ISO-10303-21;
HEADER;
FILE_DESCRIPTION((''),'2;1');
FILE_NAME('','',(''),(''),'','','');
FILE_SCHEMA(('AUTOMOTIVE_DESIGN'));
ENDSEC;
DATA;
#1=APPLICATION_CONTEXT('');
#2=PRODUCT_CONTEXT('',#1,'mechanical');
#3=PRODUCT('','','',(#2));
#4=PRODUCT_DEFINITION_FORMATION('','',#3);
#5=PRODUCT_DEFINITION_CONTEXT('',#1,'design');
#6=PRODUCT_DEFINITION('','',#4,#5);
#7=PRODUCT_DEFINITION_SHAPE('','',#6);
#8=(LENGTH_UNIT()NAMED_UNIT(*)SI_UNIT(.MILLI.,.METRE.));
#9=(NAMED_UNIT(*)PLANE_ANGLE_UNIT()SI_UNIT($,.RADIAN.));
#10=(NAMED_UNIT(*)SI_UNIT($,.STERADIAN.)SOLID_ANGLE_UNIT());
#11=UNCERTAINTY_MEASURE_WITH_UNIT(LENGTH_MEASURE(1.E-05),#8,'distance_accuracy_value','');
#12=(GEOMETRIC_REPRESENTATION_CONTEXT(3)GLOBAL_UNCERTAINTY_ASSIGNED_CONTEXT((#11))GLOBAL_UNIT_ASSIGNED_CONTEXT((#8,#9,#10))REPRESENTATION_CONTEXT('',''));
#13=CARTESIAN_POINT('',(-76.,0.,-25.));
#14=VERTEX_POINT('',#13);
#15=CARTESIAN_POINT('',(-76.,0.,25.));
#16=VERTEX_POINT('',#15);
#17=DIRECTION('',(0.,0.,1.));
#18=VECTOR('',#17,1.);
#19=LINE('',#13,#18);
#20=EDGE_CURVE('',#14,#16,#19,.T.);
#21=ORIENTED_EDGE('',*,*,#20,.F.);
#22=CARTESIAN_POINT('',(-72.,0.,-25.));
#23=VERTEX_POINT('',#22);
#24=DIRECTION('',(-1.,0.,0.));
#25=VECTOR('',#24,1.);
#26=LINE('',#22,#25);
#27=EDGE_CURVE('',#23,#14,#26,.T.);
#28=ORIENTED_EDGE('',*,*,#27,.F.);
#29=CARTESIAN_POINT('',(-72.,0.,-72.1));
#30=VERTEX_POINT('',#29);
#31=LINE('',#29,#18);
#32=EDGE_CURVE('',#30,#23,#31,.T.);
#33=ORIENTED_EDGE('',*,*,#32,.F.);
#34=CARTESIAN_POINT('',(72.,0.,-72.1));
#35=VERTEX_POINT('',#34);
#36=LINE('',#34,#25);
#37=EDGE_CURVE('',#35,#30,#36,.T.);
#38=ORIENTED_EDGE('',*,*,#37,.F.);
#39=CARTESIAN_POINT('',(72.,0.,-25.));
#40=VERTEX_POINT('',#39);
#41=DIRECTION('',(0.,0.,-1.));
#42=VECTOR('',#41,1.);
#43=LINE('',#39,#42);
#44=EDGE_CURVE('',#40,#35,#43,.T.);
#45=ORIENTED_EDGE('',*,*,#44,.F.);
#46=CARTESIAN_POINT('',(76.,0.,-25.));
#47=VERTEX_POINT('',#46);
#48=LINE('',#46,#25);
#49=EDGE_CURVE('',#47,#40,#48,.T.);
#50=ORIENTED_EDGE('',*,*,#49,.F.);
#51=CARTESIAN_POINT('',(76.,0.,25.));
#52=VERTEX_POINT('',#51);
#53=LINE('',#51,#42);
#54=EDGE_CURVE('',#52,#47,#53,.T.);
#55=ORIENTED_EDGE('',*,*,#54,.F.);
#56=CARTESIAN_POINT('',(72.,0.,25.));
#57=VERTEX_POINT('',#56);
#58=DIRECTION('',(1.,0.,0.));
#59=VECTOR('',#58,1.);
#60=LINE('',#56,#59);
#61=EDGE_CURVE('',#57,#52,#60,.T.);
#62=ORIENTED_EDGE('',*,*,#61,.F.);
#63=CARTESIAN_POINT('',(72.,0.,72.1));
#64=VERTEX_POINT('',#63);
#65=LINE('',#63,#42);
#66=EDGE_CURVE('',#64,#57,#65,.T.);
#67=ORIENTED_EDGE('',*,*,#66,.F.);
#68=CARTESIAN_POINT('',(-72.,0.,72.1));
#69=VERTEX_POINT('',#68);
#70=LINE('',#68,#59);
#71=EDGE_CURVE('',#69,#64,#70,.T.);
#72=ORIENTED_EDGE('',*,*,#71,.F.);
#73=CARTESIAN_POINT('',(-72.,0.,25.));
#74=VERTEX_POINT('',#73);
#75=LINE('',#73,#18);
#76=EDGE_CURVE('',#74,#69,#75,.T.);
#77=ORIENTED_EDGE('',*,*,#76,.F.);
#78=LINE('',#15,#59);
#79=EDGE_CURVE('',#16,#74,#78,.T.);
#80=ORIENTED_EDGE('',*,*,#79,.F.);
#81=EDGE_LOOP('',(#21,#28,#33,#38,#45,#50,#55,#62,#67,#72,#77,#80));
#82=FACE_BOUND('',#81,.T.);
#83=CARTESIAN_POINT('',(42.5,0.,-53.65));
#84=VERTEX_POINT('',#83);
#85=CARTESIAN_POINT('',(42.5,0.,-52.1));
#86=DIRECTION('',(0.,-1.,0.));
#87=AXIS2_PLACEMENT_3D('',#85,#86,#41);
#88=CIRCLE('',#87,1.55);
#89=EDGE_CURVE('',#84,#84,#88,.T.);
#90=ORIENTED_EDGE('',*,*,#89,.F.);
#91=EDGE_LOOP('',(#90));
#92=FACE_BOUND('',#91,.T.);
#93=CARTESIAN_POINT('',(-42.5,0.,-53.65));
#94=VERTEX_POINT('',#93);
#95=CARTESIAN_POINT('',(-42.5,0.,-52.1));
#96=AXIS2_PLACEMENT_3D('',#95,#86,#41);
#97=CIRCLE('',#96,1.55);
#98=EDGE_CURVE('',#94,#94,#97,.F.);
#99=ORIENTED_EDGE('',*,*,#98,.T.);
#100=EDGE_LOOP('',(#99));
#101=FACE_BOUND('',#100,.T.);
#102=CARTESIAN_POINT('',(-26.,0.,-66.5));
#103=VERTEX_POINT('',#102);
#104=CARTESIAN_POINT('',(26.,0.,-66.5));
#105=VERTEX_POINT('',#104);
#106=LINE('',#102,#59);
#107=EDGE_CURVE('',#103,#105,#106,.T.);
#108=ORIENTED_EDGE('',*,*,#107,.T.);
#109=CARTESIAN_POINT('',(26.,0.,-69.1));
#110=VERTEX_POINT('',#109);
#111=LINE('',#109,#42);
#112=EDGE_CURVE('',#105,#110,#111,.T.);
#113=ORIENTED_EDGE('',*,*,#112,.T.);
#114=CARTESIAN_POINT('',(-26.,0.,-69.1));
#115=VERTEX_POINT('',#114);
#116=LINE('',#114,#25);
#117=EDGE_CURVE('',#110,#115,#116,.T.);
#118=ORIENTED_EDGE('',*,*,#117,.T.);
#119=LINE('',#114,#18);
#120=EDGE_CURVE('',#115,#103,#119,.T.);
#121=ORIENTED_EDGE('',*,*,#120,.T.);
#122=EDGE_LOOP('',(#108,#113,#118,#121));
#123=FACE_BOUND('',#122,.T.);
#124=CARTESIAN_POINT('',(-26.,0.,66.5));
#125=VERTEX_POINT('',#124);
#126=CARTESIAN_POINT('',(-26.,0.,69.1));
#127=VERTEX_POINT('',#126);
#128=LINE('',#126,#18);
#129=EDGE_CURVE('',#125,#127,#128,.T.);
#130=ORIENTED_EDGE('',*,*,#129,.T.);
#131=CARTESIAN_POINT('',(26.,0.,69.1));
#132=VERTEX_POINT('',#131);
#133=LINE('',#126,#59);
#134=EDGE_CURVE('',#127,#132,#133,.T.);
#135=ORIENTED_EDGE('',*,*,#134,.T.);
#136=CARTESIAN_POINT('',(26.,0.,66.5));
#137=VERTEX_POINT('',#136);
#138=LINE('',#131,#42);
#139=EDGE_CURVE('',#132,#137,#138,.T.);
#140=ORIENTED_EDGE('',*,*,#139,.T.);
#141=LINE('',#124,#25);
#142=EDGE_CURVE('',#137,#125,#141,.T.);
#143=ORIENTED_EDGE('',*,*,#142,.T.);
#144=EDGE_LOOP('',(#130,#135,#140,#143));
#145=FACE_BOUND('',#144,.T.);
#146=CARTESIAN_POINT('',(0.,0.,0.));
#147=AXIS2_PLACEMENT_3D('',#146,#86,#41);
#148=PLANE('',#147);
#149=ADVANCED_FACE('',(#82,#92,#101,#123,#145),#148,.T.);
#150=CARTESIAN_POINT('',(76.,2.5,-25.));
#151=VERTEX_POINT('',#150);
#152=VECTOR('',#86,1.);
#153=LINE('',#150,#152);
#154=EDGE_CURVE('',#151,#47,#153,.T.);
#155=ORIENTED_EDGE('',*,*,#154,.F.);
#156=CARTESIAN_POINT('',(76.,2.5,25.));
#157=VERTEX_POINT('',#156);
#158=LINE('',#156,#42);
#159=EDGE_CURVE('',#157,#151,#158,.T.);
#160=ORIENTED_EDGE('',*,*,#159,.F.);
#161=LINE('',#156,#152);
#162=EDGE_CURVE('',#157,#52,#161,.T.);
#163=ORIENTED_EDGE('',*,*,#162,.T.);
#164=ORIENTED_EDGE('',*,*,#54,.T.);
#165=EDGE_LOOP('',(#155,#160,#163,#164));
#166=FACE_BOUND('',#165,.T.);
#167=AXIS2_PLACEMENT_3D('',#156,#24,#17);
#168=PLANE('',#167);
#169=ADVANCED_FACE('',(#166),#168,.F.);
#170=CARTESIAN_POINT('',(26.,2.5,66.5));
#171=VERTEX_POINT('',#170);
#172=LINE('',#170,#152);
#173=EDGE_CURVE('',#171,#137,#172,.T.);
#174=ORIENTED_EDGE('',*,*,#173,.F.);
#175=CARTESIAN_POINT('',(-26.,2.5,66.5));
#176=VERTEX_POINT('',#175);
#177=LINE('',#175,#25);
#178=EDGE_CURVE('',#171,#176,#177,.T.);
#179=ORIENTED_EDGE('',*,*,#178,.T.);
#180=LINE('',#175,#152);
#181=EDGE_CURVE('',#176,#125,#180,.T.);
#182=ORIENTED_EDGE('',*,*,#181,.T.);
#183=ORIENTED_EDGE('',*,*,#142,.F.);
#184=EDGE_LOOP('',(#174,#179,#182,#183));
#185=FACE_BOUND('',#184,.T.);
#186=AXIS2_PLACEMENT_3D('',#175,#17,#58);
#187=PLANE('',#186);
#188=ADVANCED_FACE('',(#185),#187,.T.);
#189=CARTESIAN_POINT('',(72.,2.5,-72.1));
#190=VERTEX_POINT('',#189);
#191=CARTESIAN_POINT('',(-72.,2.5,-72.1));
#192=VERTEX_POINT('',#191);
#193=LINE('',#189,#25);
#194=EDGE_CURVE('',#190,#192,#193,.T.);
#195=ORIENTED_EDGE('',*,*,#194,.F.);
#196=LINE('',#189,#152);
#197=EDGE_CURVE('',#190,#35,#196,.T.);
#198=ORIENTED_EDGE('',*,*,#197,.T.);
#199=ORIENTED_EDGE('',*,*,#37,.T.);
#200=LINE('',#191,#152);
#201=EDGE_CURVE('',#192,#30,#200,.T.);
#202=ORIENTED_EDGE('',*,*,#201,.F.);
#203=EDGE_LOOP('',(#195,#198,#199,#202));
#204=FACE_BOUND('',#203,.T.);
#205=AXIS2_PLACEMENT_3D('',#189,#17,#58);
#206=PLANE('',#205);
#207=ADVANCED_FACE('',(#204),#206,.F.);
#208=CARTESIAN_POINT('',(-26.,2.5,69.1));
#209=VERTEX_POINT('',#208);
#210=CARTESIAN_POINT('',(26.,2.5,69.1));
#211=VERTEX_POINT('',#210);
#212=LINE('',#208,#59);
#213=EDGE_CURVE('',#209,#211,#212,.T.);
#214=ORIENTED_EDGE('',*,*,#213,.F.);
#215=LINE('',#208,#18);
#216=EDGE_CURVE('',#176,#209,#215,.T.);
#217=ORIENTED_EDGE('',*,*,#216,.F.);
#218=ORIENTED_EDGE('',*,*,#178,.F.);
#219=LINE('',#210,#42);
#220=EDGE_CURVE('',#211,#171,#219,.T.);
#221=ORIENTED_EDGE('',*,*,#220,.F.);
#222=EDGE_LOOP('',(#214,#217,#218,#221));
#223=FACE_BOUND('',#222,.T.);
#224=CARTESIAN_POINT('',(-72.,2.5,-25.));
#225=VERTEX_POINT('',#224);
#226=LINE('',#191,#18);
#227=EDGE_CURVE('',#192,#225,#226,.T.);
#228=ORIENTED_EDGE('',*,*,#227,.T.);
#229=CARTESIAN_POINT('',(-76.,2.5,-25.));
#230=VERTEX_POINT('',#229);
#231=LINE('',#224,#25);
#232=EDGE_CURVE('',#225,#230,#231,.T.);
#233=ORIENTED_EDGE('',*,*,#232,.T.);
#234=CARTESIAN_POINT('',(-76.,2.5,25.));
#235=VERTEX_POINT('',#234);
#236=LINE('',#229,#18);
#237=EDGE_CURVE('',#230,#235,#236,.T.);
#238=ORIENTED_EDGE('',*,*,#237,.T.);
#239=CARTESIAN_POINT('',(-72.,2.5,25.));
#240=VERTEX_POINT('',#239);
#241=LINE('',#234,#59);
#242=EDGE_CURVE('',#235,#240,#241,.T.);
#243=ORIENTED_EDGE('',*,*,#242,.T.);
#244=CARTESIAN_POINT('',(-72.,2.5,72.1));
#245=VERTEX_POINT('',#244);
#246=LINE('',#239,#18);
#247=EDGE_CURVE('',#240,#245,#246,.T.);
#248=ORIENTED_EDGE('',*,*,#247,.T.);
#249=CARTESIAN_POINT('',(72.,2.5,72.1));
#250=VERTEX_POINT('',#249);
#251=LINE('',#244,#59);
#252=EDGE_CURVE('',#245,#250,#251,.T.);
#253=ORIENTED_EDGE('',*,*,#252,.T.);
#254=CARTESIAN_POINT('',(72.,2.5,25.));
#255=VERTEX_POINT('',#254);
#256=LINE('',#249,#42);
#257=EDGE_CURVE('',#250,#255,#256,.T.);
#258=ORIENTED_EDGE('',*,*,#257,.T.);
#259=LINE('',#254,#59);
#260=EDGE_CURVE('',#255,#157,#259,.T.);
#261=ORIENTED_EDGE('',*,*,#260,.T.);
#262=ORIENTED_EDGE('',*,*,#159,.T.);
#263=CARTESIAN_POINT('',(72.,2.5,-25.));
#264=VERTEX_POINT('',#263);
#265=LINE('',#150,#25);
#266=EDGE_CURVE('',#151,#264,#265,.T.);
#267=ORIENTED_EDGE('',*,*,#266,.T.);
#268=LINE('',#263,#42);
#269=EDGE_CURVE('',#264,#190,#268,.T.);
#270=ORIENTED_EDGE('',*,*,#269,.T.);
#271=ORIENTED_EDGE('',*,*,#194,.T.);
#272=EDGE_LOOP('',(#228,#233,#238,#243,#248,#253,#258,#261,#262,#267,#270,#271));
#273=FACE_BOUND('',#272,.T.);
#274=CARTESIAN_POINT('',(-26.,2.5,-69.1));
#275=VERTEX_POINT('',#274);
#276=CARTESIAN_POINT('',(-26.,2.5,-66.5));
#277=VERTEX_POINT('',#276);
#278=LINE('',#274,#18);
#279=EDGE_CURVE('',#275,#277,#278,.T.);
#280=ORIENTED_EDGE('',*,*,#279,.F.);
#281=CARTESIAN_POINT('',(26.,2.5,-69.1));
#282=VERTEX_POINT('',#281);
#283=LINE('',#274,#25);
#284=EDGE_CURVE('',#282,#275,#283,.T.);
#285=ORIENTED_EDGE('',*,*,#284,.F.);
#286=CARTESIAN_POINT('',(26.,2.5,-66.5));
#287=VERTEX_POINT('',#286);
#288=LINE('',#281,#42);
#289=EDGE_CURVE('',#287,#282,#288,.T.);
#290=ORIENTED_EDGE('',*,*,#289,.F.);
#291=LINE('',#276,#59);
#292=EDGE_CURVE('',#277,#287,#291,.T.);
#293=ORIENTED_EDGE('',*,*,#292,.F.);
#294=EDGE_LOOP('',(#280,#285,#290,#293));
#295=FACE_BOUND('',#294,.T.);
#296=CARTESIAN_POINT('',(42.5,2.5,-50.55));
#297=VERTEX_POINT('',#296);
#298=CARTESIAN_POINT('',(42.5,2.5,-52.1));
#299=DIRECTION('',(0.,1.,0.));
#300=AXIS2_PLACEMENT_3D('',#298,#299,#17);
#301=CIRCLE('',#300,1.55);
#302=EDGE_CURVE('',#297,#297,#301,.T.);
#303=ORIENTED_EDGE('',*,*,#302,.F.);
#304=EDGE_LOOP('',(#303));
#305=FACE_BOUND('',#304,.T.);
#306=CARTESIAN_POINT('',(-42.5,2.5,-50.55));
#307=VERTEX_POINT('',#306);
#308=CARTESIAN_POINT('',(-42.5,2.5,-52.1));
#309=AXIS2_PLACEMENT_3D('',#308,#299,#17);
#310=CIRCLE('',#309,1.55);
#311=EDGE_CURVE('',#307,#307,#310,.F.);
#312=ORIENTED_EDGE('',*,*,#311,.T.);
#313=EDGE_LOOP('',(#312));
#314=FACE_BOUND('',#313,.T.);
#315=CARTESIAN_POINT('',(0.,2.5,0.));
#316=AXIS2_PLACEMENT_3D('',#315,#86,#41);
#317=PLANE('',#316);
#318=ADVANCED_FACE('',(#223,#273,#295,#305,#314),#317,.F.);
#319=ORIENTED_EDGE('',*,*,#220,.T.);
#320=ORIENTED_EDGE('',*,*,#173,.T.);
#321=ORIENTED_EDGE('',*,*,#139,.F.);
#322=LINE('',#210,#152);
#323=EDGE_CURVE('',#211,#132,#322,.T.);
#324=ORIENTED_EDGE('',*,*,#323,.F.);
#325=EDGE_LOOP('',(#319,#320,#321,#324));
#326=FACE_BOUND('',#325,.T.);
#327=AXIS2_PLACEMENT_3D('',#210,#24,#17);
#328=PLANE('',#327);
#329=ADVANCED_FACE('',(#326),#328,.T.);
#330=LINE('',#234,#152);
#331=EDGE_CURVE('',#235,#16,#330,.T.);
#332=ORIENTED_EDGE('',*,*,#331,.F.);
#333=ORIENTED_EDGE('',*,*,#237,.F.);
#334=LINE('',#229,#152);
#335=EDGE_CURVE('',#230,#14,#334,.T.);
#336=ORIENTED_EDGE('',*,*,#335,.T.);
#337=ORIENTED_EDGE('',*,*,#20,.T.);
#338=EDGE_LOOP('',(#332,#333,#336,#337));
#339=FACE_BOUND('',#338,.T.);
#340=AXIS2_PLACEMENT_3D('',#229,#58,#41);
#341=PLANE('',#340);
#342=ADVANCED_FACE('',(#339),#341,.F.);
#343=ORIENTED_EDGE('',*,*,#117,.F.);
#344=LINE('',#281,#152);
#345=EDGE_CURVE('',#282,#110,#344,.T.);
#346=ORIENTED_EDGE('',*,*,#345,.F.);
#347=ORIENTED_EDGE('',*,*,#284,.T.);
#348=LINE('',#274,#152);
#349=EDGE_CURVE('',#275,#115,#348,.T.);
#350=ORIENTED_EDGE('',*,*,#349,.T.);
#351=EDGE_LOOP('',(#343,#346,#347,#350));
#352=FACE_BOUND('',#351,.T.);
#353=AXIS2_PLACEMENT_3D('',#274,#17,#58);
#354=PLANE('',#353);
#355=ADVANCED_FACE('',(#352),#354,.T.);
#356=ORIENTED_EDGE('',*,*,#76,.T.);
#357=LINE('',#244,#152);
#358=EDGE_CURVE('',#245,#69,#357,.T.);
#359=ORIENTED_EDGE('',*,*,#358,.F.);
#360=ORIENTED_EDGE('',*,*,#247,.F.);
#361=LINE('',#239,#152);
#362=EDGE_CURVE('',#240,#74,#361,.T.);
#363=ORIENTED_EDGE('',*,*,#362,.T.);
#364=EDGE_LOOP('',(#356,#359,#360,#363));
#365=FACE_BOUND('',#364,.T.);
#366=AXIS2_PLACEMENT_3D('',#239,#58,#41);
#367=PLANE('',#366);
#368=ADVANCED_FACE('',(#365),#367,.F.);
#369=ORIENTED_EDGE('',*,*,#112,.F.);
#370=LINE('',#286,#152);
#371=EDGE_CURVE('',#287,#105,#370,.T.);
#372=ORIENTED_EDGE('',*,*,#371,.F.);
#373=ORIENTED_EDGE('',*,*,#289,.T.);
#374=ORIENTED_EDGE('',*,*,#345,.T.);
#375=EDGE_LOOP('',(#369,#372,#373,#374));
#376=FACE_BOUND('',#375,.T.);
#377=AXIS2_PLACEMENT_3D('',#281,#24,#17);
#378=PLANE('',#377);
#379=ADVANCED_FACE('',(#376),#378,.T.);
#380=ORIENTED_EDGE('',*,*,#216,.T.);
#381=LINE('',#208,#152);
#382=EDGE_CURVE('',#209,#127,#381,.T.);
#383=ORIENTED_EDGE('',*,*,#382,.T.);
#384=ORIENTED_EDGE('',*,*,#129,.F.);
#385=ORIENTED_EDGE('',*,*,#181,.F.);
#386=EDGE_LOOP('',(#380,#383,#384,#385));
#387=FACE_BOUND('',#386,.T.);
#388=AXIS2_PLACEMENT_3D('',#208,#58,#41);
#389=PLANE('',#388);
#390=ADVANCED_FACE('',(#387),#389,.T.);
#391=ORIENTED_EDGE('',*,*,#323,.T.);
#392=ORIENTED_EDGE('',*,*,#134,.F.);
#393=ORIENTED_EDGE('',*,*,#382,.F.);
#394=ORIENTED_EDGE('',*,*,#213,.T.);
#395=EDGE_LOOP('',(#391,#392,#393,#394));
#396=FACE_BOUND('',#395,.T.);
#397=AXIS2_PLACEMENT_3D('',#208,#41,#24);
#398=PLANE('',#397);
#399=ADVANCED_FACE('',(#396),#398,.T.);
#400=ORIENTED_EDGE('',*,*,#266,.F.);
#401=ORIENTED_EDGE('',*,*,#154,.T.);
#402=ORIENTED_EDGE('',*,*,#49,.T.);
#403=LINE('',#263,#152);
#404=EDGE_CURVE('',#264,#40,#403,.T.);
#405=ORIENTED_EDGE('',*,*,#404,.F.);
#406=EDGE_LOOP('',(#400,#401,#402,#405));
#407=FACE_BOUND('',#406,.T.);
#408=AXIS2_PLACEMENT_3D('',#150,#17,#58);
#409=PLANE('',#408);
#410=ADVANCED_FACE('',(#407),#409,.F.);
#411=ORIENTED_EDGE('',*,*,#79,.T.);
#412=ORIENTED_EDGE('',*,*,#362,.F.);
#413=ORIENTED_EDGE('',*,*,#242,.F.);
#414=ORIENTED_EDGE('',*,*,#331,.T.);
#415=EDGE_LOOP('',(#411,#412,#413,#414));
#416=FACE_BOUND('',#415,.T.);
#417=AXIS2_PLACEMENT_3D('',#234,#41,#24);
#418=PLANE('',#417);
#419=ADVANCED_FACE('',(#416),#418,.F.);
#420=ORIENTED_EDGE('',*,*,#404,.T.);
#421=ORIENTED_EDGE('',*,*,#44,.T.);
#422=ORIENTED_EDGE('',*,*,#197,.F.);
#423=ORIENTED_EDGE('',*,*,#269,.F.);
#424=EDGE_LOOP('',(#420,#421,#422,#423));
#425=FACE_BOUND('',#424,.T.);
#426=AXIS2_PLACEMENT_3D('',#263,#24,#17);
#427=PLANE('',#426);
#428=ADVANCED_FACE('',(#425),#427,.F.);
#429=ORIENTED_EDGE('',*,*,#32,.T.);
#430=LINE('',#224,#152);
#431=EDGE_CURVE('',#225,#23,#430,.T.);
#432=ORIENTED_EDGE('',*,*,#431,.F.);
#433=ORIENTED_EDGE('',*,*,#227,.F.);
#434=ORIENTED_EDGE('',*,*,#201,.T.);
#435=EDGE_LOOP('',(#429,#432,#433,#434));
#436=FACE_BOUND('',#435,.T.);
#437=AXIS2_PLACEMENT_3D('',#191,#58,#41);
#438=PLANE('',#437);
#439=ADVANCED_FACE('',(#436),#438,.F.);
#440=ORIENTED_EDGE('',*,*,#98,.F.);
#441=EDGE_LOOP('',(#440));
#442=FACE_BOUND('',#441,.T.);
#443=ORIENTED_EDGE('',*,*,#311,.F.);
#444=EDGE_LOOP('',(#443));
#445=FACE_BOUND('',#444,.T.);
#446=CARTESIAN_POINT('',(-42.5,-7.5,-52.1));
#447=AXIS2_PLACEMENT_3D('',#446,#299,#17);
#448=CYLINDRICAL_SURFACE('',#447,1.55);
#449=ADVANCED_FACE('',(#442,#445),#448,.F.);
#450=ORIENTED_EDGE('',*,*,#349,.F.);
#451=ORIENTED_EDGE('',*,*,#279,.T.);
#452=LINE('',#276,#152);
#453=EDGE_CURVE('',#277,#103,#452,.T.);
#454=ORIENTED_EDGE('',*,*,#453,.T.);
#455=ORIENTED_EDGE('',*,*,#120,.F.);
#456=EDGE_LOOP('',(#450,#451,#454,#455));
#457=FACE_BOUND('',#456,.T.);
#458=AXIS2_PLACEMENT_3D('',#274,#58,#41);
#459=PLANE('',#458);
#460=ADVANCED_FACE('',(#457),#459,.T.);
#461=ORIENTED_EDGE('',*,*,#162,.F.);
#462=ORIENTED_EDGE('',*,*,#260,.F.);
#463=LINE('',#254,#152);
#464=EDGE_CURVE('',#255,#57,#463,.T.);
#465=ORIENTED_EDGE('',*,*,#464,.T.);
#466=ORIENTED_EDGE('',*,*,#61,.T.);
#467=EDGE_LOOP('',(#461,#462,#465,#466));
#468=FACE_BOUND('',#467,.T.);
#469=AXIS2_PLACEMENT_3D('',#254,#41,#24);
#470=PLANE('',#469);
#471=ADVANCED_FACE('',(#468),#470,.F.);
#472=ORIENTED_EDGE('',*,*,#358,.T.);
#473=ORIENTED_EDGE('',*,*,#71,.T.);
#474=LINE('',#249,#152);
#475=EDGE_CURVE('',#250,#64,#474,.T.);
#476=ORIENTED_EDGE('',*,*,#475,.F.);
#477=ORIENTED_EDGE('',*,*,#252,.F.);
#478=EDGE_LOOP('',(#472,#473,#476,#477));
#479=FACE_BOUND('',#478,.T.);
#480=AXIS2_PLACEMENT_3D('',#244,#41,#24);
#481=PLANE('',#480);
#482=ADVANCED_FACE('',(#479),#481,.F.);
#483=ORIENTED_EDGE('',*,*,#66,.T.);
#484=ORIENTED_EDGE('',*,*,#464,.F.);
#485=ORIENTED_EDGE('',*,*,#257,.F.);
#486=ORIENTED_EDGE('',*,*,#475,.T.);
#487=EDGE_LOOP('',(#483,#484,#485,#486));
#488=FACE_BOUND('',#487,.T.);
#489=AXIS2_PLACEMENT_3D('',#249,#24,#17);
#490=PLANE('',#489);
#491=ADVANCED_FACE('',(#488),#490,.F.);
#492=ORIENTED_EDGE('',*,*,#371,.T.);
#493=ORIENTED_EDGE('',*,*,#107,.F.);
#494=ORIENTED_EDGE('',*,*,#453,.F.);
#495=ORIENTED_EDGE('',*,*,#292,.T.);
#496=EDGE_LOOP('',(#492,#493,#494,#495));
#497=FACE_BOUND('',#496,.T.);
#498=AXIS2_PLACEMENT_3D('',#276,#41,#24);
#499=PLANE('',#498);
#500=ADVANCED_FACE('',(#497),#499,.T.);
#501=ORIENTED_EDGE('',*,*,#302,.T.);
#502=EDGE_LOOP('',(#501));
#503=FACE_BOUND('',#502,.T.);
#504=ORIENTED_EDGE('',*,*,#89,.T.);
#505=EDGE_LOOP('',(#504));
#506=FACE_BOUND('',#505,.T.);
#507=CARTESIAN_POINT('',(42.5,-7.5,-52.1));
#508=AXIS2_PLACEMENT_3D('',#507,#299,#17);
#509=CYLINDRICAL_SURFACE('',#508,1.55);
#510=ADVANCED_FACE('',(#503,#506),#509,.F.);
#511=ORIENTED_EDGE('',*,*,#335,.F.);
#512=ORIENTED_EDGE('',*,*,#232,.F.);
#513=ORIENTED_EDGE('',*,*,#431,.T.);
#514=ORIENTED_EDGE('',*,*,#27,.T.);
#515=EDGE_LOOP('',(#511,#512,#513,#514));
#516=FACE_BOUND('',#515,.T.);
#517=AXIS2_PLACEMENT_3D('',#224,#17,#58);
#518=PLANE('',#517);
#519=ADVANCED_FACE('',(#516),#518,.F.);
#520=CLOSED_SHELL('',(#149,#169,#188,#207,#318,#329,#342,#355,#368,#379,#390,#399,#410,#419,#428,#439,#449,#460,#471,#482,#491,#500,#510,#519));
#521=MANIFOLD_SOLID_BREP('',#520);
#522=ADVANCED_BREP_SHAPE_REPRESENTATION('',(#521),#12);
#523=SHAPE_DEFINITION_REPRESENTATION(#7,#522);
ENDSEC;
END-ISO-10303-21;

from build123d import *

# Parameters (mm, degrees)
SKETCH1_W           = 52
SKETCH1_H           = 2.6
BOSS_EXTRUDE1_DEPTH = 2.5
SKETCH2_R           = 1.55
CUT_EXTRUDE1_DEPTH  = 10


with BuildPart() as part:
    # Sketch1 → Boss-Extrude1 (new body)
    with BuildSketch(Plane(origin=(0, 0, 0), x_dir=(1, 0, 0), z_dir=(0, 1, 0))):
        Polygon((72, -25), (76, -25), (76, 25), (72, 25), (72, 72.1), (-72, 72.1), (-72, 25), (-76, 25), (-76, -25), (-72, -25), (-72, -72.1), (72, -72.1), align=None)
        with Locations((0, -67.8)):
            Rectangle(SKETCH1_W, SKETCH1_H, mode=Mode.SUBTRACT)
        with Locations((0, 67.8)):
            Rectangle(SKETCH1_W, SKETCH1_H, mode=Mode.SUBTRACT)
    extrude(amount=BOSS_EXTRUDE1_DEPTH)

    # Sketch2 → Cut-Extrude1 (cut)
    with BuildSketch(Plane(origin=(0, 2.5, 0), x_dir=(1, 0, 0), z_dir=(0, 1, 0))):
        with Locations((-42.5, 52.1)):
            Circle(SKETCH2_R)
        with Locations((42.5, 52.1)):
            Circle(SKETCH2_R)
    extrude(amount=-CUT_EXTRUDE1_DEPTH, mode=Mode.SUBTRACT)


solid = part.part
